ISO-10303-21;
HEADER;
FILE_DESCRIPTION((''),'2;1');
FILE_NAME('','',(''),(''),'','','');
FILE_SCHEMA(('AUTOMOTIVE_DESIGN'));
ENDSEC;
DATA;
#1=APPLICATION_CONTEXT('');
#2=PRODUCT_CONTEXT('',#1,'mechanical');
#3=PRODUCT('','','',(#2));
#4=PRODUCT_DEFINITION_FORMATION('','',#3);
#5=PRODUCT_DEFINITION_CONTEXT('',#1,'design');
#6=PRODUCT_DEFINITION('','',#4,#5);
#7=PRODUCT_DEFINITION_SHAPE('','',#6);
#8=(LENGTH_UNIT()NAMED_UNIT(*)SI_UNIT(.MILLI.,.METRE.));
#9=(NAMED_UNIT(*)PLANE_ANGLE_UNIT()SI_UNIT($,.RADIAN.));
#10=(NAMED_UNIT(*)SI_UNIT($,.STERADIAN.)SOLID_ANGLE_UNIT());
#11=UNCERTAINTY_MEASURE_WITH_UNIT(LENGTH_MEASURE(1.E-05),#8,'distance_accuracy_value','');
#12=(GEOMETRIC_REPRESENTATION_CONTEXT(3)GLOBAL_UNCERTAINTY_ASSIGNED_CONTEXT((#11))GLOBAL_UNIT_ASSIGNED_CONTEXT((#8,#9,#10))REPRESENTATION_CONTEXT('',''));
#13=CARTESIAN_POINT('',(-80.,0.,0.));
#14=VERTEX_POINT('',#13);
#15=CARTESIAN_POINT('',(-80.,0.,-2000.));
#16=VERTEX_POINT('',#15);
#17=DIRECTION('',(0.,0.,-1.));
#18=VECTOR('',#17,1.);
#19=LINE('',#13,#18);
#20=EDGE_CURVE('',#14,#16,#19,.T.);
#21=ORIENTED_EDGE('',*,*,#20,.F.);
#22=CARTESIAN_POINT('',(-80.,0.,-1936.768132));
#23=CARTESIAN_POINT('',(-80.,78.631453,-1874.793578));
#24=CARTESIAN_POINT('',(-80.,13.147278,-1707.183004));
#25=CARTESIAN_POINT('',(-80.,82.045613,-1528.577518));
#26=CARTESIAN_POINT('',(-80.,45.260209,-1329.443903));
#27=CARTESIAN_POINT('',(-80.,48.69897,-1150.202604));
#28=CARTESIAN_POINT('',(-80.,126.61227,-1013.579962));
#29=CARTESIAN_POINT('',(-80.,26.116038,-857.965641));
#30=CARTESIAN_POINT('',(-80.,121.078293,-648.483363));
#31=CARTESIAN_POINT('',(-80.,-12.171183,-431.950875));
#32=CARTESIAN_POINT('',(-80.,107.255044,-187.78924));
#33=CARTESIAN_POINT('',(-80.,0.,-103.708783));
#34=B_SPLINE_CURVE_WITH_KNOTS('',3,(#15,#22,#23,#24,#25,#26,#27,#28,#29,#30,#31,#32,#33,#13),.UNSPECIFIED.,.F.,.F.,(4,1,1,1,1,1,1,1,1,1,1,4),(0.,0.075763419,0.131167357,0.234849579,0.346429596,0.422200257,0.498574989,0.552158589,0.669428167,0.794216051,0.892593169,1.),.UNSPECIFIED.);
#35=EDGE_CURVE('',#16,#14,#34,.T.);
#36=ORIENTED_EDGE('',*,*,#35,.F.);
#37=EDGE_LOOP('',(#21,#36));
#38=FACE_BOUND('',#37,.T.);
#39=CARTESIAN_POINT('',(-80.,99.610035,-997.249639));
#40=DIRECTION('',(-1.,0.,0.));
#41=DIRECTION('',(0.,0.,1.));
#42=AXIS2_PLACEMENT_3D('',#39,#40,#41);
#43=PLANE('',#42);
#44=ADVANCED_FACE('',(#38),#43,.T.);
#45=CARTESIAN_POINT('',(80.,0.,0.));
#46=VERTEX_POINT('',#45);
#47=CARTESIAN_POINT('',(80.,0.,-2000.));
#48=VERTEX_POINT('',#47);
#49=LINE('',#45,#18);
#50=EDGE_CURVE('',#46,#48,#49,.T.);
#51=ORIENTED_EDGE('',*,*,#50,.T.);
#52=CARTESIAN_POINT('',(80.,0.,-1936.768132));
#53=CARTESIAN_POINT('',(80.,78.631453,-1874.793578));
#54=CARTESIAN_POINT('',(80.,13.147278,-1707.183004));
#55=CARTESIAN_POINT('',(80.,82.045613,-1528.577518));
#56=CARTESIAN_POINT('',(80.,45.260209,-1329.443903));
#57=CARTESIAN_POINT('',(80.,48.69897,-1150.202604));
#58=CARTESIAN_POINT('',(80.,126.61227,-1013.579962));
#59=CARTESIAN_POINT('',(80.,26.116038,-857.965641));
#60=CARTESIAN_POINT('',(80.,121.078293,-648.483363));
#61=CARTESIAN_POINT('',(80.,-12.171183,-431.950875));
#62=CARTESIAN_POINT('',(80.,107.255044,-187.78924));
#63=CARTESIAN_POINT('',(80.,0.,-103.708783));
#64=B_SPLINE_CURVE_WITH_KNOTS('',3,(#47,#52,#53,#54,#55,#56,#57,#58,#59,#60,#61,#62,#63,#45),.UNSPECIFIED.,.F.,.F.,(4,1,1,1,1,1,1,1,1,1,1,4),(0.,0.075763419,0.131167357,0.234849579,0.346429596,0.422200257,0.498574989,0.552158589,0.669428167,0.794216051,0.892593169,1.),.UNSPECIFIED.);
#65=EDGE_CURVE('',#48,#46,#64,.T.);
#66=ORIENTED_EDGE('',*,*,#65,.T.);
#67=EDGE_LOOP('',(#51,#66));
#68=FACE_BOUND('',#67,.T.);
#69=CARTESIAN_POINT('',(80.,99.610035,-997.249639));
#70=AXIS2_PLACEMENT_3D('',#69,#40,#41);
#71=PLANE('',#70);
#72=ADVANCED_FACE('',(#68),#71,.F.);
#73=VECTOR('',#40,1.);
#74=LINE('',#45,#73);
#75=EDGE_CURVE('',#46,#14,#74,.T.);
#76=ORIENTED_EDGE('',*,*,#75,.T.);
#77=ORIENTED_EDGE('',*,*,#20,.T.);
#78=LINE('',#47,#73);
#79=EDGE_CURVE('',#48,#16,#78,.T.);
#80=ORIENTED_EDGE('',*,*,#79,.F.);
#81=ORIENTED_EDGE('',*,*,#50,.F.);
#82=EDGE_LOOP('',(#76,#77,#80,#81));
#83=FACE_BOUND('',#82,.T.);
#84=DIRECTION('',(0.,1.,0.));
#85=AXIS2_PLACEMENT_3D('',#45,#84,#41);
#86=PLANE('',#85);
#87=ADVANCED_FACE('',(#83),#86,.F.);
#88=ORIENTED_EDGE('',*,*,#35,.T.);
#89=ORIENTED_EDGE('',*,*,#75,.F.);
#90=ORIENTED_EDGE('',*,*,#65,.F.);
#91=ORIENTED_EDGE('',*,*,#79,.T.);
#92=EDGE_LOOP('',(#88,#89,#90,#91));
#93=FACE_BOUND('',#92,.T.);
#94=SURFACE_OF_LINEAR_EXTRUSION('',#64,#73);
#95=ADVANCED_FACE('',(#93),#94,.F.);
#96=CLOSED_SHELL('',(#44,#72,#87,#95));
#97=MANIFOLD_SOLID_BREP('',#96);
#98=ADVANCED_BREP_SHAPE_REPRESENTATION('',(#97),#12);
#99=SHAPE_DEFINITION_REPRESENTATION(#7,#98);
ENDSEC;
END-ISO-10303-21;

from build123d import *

# Parameters (mm, degrees)
EXTRUDE_1_DEPTH = 80


with BuildPart() as part:
    # 草图1 → 凸台-拉伸1 (new body, symmetric)
    with BuildSketch(Plane(origin=(0, 0, 0), x_dir=(0, 0, -1), z_dir=(1, 0, 0))):
        with BuildLine():
            Line((0, 0), (2000, 0))
            add(Edge.make_bspline(
                [(0, 0), (103.708782768, 0), (187.789239926, 107.255043871), (431.95087498, -12.171182924), (648.483362673, 121.078292906), (857.965641256, 26.116038228), (1013.5799623, 126.612269657), (1150.20260384, 48.698969974), (1329.443902917, 45.260209186), (1528.577518129, 82.045613008), (1707.183003809, 13.147277529), (1874.793577591, 78.631452899), (1936.768131832, 0), (2000, 0)],
                knots=[0, 0, 0, 0, 0.107406831, 0.205783949, 0.330571833, 0.447841411, 0.501425011, 0.577799743, 0.653570404, 0.765150421, 0.868832643, 0.924236581, 1, 1, 1, 1], degree=3))
        make_face()
    extrude(amount=EXTRUDE_1_DEPTH, both=True)


solid = part.part
